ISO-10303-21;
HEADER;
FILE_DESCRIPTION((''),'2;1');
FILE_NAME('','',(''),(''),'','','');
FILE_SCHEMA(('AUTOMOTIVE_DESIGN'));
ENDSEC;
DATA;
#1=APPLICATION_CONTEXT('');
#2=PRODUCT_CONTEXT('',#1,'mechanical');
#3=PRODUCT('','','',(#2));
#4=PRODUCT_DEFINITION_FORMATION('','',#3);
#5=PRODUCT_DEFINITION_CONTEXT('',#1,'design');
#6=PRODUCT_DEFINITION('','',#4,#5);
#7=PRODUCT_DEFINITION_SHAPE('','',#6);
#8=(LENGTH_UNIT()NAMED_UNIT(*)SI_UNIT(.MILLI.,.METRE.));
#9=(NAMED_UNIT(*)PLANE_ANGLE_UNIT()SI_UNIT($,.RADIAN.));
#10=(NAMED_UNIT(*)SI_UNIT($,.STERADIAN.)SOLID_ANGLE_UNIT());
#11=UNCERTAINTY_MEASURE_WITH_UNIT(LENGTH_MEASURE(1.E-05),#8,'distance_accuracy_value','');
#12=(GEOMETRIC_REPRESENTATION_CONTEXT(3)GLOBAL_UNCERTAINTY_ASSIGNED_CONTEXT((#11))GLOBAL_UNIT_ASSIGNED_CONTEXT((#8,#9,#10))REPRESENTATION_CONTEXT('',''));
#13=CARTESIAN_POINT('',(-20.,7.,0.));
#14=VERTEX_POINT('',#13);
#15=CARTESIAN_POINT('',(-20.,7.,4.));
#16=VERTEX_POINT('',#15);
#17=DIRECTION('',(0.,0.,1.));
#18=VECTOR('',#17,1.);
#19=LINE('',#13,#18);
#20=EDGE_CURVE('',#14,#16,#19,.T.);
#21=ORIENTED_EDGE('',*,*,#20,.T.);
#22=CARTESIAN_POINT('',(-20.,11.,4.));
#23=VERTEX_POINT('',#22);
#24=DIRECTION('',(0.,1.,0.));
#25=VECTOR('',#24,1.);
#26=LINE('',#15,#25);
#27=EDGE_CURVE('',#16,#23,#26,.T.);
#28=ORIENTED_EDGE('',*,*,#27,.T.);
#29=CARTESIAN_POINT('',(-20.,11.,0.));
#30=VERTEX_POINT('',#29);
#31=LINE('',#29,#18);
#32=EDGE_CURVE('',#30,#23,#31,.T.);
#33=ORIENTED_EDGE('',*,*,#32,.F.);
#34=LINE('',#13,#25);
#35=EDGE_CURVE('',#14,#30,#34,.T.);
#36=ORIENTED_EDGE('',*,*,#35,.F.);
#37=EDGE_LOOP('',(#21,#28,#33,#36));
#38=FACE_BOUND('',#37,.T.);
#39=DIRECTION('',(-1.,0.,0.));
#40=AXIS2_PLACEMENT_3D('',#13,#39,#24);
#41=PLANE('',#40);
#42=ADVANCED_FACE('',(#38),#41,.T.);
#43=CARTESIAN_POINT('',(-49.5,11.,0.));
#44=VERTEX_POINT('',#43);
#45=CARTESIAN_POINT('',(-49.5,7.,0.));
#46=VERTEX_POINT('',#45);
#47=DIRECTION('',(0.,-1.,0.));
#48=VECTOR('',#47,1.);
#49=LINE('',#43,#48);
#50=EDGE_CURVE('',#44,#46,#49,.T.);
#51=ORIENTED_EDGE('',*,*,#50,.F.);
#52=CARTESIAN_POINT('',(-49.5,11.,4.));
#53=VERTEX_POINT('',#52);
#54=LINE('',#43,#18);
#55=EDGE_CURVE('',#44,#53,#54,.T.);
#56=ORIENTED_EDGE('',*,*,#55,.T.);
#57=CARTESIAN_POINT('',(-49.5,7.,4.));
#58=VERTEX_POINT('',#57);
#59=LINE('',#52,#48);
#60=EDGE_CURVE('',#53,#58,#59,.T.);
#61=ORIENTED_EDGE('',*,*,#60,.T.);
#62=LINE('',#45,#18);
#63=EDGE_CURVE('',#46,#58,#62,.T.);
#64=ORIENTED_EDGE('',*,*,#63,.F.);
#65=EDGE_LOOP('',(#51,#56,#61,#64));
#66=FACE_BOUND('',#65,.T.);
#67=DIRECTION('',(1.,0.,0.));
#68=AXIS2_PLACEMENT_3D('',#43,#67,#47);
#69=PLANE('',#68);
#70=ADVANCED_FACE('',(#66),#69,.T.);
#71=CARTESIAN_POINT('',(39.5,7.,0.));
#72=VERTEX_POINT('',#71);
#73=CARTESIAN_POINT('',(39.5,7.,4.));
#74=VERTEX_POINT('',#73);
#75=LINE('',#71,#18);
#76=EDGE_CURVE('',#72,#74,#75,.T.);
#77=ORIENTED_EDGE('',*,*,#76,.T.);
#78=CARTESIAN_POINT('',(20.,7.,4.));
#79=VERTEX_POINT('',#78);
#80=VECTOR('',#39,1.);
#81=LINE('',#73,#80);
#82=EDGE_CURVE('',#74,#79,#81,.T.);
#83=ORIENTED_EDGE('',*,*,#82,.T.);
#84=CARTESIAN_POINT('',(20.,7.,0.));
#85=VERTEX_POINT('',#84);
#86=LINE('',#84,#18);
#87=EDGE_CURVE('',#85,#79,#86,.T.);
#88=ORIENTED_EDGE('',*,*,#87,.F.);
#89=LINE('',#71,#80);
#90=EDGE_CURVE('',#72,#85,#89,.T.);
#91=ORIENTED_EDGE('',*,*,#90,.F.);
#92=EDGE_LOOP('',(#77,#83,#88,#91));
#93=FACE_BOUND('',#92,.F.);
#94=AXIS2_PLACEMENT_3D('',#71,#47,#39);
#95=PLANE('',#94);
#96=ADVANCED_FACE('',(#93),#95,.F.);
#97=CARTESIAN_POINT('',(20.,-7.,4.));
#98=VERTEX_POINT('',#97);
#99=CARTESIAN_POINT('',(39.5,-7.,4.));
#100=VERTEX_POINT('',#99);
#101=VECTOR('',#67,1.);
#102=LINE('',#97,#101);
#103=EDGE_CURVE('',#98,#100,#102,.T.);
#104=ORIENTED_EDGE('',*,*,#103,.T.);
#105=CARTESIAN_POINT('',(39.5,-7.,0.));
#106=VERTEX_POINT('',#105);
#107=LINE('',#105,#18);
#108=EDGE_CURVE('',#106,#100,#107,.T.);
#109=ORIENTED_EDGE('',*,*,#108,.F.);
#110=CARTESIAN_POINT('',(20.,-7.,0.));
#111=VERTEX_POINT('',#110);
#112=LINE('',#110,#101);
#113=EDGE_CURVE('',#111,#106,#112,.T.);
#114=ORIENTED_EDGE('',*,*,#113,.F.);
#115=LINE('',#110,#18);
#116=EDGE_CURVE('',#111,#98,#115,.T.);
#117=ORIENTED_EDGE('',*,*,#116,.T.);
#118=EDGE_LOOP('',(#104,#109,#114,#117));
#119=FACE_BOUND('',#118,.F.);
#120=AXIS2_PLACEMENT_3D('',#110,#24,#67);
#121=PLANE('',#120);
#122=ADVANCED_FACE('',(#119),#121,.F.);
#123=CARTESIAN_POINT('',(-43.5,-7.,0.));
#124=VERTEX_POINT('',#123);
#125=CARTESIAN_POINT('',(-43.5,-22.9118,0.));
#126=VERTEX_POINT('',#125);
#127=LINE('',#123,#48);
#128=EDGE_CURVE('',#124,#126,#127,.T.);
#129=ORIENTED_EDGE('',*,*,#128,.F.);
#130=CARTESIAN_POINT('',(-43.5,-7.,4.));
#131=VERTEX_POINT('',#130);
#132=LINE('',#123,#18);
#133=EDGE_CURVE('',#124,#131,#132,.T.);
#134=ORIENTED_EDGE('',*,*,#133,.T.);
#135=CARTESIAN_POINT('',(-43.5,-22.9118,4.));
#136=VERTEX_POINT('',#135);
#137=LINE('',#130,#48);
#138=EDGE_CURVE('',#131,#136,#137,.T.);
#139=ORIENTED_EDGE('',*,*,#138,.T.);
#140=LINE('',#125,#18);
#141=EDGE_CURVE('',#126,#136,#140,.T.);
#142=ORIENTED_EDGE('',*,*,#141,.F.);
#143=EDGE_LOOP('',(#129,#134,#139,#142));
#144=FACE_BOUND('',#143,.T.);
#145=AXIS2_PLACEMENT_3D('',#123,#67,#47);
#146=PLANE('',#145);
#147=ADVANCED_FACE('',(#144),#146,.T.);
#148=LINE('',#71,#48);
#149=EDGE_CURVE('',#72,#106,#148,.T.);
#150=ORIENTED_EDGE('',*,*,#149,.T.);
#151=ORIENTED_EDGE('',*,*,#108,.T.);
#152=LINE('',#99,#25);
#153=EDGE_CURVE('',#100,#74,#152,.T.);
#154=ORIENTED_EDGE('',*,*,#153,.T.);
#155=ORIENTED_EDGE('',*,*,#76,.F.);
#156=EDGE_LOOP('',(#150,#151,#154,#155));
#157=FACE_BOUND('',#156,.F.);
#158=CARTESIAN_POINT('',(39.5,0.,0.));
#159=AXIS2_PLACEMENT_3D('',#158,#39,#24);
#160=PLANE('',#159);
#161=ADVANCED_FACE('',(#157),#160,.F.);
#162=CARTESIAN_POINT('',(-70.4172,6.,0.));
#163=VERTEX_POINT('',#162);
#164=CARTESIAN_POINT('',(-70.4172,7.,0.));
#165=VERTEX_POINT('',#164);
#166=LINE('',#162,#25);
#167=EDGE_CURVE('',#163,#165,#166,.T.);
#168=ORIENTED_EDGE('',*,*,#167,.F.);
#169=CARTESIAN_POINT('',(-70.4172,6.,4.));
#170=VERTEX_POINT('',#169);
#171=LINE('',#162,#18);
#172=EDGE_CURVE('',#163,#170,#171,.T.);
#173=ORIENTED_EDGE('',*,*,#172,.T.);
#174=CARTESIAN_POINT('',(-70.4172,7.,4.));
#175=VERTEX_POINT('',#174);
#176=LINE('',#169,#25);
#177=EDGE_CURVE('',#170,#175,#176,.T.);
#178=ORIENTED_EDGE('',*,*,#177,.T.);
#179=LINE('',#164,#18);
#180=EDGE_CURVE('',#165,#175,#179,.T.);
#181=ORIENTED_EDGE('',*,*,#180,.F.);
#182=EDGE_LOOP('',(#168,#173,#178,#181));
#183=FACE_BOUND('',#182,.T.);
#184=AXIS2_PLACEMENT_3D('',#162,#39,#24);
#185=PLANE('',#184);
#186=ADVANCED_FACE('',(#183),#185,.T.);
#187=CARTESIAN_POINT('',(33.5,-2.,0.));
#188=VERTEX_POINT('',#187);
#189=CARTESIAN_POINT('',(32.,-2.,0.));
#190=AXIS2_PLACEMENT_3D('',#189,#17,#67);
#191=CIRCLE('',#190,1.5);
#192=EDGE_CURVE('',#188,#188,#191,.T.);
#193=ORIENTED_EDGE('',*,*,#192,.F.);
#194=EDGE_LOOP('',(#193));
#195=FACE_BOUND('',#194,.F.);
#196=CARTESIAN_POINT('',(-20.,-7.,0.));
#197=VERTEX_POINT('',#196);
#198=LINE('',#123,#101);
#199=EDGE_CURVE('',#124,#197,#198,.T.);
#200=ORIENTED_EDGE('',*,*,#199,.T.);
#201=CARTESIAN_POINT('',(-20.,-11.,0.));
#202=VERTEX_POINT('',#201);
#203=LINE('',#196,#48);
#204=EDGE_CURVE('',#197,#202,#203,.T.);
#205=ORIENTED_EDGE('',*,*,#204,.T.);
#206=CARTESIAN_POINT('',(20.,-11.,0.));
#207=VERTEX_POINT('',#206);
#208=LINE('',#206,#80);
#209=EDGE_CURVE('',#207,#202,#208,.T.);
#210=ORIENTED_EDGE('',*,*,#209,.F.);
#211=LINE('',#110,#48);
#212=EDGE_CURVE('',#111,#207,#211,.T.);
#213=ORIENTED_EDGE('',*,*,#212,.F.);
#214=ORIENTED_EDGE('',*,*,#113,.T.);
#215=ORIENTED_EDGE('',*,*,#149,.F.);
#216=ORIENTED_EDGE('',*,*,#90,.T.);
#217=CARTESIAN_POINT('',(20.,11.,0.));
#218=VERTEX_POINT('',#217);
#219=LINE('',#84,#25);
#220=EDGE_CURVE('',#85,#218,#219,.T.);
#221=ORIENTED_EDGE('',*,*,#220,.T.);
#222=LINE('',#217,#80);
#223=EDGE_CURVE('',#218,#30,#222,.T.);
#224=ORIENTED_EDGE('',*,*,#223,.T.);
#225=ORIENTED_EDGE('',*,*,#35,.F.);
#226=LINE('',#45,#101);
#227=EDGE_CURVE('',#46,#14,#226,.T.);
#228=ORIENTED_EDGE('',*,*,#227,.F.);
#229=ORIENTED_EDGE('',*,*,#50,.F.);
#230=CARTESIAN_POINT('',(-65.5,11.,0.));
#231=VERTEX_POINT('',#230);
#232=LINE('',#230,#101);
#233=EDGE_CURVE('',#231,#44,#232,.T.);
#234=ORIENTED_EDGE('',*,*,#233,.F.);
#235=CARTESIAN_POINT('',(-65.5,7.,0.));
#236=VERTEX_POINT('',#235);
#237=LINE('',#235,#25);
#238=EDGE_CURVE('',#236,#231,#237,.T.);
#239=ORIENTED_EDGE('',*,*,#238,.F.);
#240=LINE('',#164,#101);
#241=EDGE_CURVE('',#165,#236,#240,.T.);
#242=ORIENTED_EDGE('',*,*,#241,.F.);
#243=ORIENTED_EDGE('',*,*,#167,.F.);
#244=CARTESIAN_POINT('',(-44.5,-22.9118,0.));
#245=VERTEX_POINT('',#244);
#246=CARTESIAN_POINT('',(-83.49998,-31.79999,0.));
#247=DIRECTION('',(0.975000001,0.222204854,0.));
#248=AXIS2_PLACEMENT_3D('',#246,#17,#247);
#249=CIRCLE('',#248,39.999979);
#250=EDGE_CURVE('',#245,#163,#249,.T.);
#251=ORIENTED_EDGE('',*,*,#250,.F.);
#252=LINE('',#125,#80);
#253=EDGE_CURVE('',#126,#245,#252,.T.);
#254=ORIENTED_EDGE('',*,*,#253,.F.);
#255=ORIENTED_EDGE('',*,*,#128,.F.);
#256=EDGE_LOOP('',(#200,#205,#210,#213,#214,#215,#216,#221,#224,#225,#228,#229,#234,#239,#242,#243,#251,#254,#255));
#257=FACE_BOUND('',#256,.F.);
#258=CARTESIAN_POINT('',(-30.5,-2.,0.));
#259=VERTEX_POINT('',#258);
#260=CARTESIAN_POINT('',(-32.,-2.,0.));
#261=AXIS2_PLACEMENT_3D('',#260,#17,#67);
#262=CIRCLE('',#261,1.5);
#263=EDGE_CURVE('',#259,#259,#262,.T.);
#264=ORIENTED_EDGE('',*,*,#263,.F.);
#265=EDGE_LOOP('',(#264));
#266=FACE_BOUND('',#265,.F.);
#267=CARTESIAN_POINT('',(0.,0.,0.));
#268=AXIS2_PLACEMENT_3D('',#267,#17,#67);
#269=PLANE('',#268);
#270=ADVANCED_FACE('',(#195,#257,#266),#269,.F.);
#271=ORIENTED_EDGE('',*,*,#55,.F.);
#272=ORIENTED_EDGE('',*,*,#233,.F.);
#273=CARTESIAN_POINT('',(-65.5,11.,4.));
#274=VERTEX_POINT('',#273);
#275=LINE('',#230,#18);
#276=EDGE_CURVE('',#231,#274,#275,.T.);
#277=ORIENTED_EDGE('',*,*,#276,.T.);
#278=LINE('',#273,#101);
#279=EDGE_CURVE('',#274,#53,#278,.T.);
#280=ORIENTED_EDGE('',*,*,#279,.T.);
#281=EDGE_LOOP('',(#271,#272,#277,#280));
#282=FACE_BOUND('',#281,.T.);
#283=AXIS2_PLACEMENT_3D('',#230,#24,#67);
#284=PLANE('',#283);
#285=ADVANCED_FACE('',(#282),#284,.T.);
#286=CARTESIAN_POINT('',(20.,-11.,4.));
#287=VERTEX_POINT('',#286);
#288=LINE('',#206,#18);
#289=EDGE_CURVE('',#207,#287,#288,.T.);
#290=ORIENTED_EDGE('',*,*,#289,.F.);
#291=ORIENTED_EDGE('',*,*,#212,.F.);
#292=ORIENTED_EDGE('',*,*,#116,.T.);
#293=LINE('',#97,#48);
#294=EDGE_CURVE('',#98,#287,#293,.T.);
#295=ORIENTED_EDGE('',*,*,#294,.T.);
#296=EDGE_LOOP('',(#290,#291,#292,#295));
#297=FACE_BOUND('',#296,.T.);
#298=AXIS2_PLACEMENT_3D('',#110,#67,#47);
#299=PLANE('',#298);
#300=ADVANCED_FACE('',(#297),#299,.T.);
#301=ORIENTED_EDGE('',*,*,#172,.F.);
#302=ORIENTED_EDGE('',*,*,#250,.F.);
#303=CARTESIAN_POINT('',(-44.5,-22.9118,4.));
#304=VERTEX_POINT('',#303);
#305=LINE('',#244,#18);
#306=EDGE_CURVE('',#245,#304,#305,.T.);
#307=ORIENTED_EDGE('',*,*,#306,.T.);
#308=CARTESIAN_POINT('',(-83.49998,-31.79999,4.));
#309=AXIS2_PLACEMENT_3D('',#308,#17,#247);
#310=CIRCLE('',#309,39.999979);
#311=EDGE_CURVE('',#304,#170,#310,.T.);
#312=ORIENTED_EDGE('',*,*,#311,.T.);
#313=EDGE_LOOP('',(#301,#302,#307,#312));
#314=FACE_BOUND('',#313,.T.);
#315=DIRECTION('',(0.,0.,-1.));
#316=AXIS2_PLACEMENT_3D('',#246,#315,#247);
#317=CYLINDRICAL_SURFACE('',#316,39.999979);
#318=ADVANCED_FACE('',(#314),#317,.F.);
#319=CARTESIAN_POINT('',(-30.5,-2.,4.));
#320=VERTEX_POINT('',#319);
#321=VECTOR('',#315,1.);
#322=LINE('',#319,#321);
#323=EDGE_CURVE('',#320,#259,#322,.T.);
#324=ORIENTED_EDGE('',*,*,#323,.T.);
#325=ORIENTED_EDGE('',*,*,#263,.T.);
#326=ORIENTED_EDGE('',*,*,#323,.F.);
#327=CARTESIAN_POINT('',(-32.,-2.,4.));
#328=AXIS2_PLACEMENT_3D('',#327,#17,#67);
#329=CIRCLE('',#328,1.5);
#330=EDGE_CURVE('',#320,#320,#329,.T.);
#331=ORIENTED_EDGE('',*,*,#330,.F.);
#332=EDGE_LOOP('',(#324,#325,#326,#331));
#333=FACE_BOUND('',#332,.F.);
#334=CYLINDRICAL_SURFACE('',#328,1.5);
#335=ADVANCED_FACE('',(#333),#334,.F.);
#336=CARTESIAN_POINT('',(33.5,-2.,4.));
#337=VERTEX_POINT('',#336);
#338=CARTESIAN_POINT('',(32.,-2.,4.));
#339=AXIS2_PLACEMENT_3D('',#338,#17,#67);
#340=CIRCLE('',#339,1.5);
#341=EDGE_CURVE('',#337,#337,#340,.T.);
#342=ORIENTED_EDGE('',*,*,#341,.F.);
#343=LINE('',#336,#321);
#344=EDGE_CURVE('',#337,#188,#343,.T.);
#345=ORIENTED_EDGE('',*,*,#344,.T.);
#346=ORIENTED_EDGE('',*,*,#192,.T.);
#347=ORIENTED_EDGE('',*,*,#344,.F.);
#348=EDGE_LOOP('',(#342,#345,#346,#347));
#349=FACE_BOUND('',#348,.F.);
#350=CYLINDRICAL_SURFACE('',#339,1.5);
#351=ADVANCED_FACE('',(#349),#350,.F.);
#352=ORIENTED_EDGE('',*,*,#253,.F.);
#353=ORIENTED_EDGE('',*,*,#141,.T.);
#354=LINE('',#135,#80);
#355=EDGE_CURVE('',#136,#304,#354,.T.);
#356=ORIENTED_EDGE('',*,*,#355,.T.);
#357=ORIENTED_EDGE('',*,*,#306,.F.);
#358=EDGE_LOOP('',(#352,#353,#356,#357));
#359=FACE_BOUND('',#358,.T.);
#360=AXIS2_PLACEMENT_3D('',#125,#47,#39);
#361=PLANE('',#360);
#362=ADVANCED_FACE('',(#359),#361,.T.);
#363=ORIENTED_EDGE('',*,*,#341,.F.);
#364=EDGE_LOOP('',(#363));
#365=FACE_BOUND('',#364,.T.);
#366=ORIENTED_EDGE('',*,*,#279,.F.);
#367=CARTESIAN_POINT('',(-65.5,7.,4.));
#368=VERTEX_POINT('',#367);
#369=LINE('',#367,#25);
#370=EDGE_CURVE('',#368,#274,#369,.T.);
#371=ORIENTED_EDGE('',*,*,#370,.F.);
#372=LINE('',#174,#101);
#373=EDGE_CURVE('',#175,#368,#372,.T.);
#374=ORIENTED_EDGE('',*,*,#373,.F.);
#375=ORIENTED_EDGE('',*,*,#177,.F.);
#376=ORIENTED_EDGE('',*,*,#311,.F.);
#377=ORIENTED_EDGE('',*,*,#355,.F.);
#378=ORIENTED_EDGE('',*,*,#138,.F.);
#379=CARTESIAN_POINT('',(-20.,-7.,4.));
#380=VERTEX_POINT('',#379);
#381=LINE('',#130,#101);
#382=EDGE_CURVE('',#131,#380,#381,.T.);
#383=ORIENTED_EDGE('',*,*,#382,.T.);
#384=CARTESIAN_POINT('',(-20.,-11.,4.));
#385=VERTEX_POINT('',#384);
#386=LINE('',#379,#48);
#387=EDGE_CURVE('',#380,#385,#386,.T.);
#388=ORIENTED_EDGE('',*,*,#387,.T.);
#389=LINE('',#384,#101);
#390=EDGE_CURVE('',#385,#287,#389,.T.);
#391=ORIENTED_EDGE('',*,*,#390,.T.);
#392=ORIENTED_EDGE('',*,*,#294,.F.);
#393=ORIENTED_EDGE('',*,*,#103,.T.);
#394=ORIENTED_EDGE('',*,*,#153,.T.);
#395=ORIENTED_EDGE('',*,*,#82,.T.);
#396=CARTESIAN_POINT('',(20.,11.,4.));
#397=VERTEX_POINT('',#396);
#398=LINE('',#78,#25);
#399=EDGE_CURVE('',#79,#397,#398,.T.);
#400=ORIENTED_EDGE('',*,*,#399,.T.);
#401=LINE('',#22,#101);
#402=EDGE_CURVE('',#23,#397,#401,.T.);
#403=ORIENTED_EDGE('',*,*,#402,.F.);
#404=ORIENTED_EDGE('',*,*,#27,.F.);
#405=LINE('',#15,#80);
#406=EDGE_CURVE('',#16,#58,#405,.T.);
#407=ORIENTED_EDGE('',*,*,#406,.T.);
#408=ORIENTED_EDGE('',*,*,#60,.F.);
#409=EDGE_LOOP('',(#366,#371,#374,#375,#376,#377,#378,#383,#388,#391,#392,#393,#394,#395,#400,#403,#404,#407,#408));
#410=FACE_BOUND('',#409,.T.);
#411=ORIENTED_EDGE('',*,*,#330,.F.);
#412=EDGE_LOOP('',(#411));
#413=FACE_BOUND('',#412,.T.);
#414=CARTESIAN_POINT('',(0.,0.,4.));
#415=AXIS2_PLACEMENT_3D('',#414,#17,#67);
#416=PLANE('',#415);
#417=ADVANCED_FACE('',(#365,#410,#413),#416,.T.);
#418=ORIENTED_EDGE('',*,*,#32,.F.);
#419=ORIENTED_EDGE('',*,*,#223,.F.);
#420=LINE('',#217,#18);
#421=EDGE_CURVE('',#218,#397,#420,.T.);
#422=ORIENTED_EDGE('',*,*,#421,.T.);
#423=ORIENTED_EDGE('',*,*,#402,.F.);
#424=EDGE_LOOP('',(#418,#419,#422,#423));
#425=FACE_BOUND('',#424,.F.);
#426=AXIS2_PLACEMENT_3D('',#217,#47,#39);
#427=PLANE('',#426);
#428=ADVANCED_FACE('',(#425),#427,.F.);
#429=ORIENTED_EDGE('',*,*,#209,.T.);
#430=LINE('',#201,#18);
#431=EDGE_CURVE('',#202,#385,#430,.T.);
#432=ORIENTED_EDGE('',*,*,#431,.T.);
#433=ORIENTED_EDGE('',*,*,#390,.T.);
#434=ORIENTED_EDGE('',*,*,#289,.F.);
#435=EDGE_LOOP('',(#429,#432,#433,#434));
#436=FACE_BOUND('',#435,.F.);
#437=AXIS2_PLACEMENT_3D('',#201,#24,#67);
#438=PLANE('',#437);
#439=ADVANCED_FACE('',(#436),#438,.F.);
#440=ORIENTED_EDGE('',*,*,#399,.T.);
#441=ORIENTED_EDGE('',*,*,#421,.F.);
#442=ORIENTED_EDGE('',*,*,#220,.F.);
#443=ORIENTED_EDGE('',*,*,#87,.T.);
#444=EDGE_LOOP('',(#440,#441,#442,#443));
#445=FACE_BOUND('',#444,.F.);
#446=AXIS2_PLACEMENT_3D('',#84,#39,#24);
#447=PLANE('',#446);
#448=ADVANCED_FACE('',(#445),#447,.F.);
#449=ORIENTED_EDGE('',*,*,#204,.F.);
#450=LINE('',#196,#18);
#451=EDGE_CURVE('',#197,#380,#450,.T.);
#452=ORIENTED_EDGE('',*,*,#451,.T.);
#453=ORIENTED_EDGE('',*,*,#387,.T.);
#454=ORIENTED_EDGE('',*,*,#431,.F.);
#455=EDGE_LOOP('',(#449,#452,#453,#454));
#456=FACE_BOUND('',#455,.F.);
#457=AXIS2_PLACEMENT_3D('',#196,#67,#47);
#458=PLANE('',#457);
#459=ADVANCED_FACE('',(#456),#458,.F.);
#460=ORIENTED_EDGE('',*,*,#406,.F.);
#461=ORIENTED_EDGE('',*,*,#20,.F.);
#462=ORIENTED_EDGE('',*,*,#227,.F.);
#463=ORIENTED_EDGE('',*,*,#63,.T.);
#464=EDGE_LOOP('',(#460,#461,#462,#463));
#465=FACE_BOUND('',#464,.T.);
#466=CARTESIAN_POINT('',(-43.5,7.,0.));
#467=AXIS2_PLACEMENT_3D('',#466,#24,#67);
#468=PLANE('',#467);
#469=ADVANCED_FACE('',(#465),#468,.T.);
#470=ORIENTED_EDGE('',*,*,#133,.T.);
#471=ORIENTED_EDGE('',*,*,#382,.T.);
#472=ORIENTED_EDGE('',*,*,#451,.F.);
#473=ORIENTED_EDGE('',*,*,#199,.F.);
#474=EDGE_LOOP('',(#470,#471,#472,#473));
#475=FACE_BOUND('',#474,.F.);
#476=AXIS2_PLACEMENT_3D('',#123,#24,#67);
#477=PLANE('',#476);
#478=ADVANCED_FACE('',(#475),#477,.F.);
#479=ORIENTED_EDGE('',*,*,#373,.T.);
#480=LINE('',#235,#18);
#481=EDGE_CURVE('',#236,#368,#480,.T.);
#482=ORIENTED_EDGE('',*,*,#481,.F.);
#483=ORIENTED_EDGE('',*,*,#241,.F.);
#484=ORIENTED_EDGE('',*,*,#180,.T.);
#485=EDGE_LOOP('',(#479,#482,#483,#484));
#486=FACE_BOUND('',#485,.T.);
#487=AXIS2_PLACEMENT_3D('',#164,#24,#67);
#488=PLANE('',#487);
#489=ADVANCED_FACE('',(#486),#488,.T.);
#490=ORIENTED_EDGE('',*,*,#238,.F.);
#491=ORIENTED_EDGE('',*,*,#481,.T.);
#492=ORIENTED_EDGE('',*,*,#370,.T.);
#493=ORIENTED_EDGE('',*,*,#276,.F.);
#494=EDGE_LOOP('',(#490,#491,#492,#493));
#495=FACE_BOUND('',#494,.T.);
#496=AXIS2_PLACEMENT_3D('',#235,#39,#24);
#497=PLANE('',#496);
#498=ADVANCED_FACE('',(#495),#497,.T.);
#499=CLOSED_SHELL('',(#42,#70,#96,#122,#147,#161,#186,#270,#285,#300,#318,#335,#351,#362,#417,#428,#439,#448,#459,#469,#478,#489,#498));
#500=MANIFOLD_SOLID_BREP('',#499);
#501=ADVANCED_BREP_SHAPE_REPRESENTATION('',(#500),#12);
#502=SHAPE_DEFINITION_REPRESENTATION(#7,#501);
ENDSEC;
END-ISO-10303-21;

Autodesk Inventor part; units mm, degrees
ref_plane "YZ Plane" through (0, 0, 0) normal (1, 0, 0) x (0, 1, 0)
ref_plane "XZ Plane" through (0, 0, 0) normal (0, 1, 0) x (-1, 0, 0)
ref_plane "XY Plane" through (0, 0, 0) normal (0, 0, 1) x (1, 0, 0)
sketch "Эскиз1" plane through (0, 0, 0) normal (0, 0, 1) x (1, 0, 0)
  line L0 (0, 0) -> (39.5, 0)
  line L1 (-43.5, -7) -> (-20, -7)
  line L2 (-20, -7) -> (-20, -11)
  line L3 (-20, -11) -> (0, -11)
  line L4 (0, -11) -> (0, 0)
  line L5 (-43.5, 7) -> (-20, 7)
  line L6 (-20, 7) -> (-20, 11)
  line L7 (-20, 11) -> (0, 11)
  line L8 (0, 11) -> (0, 0)
  line L9 (20, -7) -> (20, -11)
  line L10 (20, -11) -> (0, -11)
  line L11 (20, 7) -> (20, 11)
  line L12 (20, 11) -> (0, 11)
  line L13 (-43.5, -7) -> (-43.5, -22.9118)
  line L14 (-43.5, -22.9118) -> (-44.5, -22.9118)
  arc A0 (-44.5, -22.9118) -> (-70.4172, 6) centre (-83.5, -31.8) ccw
  line L15 (-70.4172, 7) -> (-65.5, 7)
  line L16 (-65.5, 7) -> (-65.5, 11)
  line L17 (-65.5, 11) -> (-49.5, 11)
  line L18 (-49.5, 11) -> (-49.5, 7)
  line L19 (-49.5, 7) -> (-43.5, 7)
  line L20 (-70.4172, 6) -> (-70.4172, 7)
  line L21 (20, -7) -> (39.5, -7)
  line L22 (39.5, -7) -> (39.5, 7)
  line L23 (39.5, 7) -> (20, 7)
  dimension "d1" = 14
  dimension "d2" = 4
  dimension "d3" = 40
  dimension "d7" = 40
  dimension "d8" = 38.8
  dimension "d9" = 40
  dimension "d10" = 1
  dimension "d11" = 16
  dimension "d12" = 6
  dimension "d13" = 43.5
  dimension "d15" = 39.5
extrude "Выдавливание1" add sketch "Эскиз1" along normal blind 4
sketch "Эскиз2" plane through (0, 0, 4) normal (0, 0, 1) x (1, 0, 0)
  line L0 (-20, -11) -> (20, -11) projected
  line L1 (0, -11) -> (0, 11)
  line L2 (20, 11) -> (-20, 11) projected
  circle A0 centre (-32, -2) radius 1.5
  circle A1 centre (32, -2) radius 1.5
  line L3 (-43.5, -7) -> (-20, -7) projected
  point P0 (0, 0)
  dimension "d16" = 64
  dimension "d17" = 5
  dimension "d18" = 3
extrude "Выдавливание2" cut sketch "Эскиз2" against normal through all
properties part number "spacer" material "Дерево (береза)"
